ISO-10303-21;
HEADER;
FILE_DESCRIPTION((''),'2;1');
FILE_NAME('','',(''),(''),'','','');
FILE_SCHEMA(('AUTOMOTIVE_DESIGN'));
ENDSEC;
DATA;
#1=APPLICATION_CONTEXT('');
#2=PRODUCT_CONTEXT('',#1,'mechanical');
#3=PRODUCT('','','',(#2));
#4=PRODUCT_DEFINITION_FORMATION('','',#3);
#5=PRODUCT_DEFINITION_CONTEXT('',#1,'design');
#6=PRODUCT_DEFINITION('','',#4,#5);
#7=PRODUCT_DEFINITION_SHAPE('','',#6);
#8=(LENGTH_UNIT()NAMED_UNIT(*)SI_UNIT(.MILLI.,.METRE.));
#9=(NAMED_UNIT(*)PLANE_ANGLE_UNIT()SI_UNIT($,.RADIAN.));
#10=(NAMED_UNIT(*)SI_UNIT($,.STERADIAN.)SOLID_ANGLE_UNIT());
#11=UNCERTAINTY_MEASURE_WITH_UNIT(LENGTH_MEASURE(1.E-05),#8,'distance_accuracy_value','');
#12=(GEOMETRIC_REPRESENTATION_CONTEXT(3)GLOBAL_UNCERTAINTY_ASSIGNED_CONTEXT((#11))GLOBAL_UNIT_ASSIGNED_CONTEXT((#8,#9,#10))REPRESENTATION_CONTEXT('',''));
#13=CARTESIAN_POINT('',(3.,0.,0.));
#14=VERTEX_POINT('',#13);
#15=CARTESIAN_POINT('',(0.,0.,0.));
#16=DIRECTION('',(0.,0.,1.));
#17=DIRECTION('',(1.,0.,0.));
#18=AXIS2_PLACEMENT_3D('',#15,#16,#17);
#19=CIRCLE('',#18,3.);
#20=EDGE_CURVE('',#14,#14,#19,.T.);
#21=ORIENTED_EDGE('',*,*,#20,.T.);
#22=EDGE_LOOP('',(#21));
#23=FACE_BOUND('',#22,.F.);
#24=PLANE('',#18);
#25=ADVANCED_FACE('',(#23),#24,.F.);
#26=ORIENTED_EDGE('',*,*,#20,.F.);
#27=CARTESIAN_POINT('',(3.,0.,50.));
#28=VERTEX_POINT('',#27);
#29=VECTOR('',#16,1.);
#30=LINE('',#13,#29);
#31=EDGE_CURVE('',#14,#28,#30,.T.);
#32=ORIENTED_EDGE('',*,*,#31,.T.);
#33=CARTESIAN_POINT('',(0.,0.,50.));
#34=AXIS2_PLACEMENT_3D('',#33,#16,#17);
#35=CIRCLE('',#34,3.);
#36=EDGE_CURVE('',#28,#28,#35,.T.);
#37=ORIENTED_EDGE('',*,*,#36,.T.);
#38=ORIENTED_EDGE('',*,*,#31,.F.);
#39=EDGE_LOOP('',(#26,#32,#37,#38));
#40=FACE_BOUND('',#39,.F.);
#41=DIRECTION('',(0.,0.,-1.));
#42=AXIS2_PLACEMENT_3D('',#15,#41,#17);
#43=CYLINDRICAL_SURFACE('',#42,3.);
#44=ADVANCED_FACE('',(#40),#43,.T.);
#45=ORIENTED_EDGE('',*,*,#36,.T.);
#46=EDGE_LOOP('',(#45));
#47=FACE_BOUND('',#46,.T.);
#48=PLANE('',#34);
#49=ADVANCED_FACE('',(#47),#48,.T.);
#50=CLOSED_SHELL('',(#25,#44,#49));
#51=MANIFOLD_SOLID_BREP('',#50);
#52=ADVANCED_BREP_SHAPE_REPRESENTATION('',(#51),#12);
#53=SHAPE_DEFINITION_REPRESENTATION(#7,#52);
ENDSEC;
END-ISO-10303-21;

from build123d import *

# Parameters (mm, degrees)
CROQUIS1_R              = 3
SALIENTE_EXTRUIR1_DEPTH = 50


with BuildPart() as part:
    # Croquis1 → Saliente-Extruir1 (new body)
    with BuildSketch(Plane.XY):
        Circle(CROQUIS1_R)
    extrude(amount=SALIENTE_EXTRUIR1_DEPTH)


solid = part.part
